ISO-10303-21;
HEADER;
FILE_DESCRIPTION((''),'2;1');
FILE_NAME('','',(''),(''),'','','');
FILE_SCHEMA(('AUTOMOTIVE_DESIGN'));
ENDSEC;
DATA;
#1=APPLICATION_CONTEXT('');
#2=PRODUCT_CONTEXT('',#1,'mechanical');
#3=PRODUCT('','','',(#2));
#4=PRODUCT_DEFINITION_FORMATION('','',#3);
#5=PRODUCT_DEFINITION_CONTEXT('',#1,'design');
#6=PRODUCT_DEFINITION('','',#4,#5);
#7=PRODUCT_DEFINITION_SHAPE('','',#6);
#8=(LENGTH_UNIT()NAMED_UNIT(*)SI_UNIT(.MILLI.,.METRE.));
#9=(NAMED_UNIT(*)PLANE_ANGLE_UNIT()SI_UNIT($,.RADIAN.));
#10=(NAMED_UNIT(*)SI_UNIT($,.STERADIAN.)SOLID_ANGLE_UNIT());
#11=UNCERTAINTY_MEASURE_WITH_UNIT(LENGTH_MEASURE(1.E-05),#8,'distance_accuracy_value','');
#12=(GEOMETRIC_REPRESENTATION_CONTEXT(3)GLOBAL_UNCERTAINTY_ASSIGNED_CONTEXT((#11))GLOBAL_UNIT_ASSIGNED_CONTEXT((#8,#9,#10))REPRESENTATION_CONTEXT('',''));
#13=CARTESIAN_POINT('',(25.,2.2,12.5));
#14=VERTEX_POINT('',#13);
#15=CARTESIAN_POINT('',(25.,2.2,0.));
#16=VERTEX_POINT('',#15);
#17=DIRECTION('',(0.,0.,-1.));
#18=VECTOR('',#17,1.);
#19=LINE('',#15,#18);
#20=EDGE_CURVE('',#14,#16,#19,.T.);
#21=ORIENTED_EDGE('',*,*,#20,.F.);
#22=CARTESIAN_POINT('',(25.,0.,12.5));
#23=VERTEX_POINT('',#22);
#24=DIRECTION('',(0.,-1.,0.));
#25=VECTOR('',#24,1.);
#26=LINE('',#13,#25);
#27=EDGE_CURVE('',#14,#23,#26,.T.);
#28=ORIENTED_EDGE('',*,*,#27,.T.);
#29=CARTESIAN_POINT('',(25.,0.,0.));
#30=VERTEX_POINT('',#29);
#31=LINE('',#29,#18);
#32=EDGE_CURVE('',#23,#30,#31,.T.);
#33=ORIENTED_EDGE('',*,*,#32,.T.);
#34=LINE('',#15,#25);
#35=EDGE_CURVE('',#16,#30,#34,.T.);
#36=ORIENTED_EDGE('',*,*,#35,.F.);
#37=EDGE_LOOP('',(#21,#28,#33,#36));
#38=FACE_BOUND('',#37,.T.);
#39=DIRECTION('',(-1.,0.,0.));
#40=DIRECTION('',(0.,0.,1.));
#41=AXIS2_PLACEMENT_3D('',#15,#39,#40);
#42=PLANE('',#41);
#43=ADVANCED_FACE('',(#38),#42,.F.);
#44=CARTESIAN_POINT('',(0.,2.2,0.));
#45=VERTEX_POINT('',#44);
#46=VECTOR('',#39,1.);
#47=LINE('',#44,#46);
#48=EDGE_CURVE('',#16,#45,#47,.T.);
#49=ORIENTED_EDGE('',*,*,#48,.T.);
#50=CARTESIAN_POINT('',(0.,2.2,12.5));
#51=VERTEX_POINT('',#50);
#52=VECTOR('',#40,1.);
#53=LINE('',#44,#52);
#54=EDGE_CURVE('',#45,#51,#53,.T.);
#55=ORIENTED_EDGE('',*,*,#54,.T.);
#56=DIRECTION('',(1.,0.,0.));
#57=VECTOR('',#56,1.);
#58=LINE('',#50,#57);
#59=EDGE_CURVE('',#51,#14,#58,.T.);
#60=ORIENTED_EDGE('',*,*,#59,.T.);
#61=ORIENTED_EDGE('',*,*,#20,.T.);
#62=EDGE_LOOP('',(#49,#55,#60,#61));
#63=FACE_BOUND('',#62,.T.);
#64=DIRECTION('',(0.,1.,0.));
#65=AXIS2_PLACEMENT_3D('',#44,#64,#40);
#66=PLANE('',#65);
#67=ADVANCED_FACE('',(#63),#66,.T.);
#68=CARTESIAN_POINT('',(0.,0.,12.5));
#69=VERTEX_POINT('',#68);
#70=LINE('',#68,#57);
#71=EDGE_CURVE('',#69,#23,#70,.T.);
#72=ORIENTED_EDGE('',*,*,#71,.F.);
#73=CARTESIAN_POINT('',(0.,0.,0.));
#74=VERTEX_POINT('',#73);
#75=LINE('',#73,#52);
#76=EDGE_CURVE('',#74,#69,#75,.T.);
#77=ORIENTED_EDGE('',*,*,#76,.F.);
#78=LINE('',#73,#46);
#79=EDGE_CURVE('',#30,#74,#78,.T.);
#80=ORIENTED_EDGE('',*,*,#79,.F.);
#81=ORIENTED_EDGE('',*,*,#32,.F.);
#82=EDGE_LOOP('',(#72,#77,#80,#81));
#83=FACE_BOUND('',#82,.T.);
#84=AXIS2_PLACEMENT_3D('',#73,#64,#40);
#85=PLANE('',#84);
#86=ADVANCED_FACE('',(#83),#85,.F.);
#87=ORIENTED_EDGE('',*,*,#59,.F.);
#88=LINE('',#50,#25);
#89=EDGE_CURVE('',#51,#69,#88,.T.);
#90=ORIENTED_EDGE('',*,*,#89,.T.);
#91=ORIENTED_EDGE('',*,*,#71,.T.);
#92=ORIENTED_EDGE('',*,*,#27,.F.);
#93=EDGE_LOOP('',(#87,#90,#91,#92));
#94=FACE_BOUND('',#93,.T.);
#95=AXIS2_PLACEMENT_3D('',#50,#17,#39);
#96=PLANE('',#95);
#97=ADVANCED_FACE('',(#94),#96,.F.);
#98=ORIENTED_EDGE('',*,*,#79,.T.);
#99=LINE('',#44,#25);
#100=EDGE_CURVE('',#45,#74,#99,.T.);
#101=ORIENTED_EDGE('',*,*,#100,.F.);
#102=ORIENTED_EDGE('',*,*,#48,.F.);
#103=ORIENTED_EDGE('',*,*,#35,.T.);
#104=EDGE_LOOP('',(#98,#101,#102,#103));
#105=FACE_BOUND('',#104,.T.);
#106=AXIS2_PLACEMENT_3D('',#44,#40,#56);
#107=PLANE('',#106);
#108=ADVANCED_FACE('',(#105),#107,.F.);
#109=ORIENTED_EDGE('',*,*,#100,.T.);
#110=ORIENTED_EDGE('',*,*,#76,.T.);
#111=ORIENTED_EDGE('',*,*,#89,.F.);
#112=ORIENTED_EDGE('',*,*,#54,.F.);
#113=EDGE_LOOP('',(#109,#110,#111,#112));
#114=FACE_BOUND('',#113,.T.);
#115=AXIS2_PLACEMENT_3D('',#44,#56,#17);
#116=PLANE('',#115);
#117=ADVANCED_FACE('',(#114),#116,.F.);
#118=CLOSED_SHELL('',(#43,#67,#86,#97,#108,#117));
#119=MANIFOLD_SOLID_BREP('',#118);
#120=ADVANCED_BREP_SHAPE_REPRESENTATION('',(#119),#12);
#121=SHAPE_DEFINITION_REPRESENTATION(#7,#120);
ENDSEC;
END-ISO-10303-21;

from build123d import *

# Parameters (mm, degrees)
SKETCH_1_W      = 25
SKETCH_1_H      = 12.5
EXTRUDE_1_DEPTH = 2.2


with BuildPart() as part:
    # Эскиз1 → Бобышка-Вытянуть1 (new body)
    with BuildSketch(Plane(origin=(0, 0, 0), x_dir=(1, 0, 0), z_dir=(0, 1, 0))):
        with Locations((12.5, -6.25)):
            Rectangle(SKETCH_1_W, SKETCH_1_H)
    extrude(amount=EXTRUDE_1_DEPTH)


solid = part.part
